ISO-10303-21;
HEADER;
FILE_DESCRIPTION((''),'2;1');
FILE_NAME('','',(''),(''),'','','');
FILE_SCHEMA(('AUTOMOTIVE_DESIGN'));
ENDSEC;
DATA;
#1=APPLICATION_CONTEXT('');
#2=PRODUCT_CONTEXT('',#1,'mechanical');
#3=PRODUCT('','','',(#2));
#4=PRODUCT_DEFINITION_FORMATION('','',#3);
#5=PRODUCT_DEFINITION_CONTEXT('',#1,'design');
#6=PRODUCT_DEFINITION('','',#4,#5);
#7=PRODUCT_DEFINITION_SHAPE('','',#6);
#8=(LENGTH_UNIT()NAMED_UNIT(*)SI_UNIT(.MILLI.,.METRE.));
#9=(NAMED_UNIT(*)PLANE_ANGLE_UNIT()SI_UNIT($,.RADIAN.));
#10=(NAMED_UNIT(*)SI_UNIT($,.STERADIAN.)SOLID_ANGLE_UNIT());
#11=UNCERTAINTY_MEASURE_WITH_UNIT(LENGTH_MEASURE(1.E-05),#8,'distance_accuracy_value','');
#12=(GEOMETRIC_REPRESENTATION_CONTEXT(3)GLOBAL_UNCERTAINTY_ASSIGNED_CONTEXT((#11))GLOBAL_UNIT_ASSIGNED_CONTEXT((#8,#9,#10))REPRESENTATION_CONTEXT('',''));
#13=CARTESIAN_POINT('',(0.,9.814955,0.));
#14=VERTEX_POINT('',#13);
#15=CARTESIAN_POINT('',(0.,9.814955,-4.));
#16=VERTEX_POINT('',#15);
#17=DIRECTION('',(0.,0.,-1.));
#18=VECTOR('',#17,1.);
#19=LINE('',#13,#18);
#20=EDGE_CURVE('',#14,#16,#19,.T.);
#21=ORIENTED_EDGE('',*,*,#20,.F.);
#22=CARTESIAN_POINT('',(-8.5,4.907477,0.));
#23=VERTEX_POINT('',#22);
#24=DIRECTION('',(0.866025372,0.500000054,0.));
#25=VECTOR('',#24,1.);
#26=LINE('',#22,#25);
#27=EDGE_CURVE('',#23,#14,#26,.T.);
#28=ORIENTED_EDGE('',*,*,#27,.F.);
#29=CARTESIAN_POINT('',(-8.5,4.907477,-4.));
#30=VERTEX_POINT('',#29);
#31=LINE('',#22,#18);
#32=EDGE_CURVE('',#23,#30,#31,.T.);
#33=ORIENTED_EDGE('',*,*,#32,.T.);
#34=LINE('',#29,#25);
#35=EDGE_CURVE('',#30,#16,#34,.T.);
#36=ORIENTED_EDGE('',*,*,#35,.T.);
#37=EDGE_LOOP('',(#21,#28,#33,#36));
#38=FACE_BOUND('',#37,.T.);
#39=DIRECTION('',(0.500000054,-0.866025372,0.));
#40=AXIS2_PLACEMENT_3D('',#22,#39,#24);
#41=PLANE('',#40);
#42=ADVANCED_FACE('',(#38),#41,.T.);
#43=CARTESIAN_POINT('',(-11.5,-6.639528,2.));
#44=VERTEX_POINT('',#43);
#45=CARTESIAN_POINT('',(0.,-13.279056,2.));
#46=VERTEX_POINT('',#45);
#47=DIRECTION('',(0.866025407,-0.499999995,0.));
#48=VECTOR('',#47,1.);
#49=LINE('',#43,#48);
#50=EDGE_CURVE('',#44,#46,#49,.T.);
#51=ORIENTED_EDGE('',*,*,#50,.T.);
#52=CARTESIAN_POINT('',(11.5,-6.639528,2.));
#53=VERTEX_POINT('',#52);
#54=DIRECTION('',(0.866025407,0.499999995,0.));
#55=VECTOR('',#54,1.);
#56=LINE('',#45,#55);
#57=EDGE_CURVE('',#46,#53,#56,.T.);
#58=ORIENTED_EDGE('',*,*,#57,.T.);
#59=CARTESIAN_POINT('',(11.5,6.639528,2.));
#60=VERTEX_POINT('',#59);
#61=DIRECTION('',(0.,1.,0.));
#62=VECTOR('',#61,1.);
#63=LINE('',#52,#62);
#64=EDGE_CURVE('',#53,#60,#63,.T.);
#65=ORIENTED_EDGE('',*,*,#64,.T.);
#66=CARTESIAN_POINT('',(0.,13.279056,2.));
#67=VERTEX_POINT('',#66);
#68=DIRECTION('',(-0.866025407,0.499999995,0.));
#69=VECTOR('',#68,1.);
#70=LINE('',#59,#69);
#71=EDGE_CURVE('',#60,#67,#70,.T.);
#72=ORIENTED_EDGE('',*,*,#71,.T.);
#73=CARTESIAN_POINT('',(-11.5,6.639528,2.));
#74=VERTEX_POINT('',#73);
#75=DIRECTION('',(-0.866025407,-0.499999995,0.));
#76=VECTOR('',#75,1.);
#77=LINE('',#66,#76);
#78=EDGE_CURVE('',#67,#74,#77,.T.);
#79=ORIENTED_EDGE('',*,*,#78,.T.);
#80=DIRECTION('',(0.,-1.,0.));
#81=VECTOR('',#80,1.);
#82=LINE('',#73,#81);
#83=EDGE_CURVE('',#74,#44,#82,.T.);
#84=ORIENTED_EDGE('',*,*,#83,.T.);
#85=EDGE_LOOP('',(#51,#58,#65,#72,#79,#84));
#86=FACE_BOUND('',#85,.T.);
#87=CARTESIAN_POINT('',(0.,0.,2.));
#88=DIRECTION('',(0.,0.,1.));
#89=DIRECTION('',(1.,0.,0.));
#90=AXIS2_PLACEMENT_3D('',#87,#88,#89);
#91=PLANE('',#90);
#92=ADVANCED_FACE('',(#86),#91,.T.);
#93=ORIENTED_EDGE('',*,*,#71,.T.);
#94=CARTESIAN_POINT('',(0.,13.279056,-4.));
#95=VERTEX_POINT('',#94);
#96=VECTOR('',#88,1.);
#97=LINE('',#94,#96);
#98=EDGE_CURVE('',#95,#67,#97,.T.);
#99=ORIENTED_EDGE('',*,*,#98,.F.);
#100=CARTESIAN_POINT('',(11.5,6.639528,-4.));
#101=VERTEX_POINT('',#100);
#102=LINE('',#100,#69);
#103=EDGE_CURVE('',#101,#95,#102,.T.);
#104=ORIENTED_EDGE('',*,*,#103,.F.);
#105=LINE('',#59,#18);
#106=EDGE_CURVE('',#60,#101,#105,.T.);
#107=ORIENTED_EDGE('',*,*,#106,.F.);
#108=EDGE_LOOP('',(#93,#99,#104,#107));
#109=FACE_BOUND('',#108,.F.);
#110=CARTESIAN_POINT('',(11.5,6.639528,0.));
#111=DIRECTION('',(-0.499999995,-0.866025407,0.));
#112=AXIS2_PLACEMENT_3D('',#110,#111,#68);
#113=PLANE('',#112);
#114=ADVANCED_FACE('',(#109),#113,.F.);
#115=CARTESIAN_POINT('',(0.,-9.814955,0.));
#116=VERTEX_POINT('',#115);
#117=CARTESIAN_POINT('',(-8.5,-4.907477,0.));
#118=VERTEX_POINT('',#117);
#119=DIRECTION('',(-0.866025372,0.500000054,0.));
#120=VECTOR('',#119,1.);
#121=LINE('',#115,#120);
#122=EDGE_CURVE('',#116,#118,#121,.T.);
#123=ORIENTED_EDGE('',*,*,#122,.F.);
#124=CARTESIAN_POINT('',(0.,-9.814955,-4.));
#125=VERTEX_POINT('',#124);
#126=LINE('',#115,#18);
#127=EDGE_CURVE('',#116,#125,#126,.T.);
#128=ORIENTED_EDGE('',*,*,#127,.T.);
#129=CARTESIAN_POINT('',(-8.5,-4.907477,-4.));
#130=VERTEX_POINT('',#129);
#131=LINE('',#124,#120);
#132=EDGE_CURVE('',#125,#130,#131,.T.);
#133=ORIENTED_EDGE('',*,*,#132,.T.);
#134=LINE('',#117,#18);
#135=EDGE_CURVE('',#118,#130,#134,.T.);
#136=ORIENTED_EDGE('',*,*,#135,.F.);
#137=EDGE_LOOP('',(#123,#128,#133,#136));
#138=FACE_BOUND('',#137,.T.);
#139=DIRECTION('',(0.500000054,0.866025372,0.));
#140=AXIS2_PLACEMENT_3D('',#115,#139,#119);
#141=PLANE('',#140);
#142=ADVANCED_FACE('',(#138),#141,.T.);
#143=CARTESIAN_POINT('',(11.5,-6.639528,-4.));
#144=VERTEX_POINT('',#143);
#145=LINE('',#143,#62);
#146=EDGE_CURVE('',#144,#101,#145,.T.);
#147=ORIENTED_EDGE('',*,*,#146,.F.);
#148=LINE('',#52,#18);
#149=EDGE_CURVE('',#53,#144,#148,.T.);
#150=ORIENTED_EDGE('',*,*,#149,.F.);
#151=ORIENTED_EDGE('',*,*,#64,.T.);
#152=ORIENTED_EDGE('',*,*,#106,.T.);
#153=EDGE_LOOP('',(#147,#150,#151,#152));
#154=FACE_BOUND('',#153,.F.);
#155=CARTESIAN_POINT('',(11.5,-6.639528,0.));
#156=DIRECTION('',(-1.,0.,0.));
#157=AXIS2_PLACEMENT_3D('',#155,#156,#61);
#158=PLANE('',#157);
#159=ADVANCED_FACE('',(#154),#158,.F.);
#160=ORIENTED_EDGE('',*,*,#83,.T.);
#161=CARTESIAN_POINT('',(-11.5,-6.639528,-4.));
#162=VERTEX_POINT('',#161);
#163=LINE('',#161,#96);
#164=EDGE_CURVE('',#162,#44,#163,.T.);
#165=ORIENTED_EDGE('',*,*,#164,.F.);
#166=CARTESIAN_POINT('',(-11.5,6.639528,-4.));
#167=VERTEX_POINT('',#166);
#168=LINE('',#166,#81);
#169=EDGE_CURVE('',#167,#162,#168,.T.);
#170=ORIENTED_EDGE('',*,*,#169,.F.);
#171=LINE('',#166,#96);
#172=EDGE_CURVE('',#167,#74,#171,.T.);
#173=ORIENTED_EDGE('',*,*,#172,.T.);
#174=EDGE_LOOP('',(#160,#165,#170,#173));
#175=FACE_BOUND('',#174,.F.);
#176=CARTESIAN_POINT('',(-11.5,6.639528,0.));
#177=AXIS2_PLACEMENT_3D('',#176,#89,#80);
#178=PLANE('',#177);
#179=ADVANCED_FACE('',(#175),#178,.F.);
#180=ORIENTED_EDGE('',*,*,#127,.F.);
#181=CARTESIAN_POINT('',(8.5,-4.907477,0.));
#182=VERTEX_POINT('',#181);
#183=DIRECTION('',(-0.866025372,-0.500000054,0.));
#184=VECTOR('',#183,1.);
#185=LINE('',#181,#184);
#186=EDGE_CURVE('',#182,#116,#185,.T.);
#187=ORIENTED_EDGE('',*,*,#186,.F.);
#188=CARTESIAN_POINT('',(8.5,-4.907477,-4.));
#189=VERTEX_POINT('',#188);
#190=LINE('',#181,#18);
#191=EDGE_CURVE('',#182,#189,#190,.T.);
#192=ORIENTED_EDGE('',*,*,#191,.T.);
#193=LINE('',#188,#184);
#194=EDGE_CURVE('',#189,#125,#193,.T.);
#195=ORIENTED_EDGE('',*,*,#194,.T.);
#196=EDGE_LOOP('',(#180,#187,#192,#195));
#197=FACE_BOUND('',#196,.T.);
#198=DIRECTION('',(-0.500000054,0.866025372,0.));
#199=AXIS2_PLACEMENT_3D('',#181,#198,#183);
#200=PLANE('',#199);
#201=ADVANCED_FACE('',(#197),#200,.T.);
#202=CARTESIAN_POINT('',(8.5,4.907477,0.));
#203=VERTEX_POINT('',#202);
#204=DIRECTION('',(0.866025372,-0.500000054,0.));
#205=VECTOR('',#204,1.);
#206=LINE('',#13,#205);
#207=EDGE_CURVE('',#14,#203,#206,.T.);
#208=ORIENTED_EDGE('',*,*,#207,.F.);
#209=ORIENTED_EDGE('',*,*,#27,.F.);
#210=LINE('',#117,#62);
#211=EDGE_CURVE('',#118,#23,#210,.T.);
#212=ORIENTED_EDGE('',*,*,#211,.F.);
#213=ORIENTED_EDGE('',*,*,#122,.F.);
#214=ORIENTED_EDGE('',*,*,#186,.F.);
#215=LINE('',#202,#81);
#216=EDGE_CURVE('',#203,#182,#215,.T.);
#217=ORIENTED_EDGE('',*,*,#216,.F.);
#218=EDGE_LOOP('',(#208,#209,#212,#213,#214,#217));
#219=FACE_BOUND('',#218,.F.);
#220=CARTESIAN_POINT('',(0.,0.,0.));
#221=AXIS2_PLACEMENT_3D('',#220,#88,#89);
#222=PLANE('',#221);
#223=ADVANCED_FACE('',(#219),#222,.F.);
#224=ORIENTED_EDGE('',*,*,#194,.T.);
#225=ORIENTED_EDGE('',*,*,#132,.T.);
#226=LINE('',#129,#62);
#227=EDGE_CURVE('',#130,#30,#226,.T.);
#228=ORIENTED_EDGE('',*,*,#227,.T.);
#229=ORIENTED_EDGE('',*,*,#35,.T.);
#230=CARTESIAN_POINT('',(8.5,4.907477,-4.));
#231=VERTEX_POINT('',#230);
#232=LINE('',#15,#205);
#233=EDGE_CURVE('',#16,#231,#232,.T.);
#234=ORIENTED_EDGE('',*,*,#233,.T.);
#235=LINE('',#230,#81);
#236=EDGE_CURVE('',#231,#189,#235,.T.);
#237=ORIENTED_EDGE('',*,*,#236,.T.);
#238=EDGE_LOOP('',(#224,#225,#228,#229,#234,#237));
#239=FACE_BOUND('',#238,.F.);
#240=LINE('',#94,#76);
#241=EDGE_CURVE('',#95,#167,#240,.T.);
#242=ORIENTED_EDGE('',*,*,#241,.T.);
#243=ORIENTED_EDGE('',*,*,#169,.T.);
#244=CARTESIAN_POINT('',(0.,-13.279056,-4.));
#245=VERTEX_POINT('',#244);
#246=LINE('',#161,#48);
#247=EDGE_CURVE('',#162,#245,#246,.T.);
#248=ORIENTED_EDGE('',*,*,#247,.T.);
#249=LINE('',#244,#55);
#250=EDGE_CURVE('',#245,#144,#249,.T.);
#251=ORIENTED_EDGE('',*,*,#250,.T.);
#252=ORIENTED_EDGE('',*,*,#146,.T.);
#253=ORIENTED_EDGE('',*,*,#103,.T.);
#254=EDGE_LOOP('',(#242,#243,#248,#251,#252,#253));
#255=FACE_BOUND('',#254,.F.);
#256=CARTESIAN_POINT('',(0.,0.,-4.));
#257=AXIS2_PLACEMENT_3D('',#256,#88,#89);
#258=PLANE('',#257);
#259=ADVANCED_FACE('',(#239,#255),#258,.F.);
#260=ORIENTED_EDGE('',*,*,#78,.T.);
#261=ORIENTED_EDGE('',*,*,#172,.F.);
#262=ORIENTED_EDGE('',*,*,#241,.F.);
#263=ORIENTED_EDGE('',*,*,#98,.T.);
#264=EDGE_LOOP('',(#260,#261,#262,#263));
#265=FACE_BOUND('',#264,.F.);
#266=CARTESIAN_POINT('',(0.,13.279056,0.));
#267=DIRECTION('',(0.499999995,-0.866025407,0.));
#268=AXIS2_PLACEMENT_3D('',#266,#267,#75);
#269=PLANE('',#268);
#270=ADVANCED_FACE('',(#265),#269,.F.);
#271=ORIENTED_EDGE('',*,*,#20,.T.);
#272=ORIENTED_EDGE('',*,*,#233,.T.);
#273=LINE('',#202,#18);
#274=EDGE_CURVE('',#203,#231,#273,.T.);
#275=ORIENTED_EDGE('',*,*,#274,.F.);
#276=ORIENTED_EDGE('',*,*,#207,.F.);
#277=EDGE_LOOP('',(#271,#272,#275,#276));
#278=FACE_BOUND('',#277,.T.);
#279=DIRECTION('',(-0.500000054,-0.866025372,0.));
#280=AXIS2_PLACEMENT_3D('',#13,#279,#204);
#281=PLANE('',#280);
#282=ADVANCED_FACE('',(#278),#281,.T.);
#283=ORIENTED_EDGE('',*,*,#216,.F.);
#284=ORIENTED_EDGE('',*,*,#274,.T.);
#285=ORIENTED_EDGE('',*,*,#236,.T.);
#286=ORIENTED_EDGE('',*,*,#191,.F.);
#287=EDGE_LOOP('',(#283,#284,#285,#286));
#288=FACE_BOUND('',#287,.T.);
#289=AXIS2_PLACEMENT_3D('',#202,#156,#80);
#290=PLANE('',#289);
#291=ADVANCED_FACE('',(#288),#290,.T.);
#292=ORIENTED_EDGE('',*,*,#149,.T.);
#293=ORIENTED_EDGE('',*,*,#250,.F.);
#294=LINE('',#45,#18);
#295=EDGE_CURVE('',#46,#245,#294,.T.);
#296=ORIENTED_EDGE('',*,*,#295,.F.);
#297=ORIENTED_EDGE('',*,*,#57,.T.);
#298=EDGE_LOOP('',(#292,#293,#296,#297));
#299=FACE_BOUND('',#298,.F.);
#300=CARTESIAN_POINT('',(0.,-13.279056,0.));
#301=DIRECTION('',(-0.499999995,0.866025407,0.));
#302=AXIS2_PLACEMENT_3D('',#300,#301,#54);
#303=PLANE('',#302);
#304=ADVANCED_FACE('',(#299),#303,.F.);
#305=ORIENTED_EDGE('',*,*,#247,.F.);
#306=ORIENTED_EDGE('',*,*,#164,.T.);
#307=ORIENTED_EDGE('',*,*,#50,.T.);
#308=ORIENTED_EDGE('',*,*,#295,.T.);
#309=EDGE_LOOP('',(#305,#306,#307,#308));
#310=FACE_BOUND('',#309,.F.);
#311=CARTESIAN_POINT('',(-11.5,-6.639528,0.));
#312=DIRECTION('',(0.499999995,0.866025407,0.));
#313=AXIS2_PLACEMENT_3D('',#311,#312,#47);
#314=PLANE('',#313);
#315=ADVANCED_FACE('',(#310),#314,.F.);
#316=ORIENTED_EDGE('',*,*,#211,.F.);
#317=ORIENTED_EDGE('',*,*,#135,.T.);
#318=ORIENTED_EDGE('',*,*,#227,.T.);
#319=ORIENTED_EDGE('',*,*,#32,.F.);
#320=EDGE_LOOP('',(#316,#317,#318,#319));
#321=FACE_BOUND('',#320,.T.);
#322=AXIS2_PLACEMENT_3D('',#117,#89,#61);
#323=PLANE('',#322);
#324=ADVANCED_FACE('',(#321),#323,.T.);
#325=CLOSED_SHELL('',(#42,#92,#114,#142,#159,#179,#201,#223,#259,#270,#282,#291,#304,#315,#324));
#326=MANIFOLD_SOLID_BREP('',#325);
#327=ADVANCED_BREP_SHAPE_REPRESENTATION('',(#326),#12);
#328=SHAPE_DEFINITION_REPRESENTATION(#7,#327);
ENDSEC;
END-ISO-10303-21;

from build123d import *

# Parameters (mm, degrees)
F2_DEPTH = 4
F1_DEPTH = 2


with BuildPart() as f2:
    # F0 (on Top) → F2 (new body)
    with BuildSketch(Plane.XY):
        Polygon((11.5, 6.639528), (0, 13.279056), (-11.5, 6.639528), (-11.5, -6.639528), (0, -13.279056), (11.5, -6.639528), align=None)
        Polygon((0, 9.814955), (8.5, 4.907477), (8.5, -4.907477), (0, -9.814955), (-8.5, -4.907477), (-8.5, 4.907477), align=None, mode=Mode.SUBTRACT)
    extrude(amount=-F2_DEPTH)

    # F0 (on Top) → F1 (join)
    with BuildSketch(Plane.XY):
        Polygon((11.5, 6.639528), (0, 13.279056), (-11.5, 6.639528), (-11.5, -6.639528), (0, -13.279056), (11.5, -6.639528), align=None)
        Polygon((0, 9.814955), (8.5, 4.907477), (8.5, -4.907477), (0, -9.814955), (-8.5, -4.907477), (-8.5, 4.907477), align=None, mode=Mode.SUBTRACT)
        Polygon((8.5, -4.907477), (8.5, 4.907477), (0, 9.814955), (-8.5, 4.907477), (-8.5, -4.907477), (0, -9.814955), align=None)
    extrude(amount=F1_DEPTH)


solid = f2.part
